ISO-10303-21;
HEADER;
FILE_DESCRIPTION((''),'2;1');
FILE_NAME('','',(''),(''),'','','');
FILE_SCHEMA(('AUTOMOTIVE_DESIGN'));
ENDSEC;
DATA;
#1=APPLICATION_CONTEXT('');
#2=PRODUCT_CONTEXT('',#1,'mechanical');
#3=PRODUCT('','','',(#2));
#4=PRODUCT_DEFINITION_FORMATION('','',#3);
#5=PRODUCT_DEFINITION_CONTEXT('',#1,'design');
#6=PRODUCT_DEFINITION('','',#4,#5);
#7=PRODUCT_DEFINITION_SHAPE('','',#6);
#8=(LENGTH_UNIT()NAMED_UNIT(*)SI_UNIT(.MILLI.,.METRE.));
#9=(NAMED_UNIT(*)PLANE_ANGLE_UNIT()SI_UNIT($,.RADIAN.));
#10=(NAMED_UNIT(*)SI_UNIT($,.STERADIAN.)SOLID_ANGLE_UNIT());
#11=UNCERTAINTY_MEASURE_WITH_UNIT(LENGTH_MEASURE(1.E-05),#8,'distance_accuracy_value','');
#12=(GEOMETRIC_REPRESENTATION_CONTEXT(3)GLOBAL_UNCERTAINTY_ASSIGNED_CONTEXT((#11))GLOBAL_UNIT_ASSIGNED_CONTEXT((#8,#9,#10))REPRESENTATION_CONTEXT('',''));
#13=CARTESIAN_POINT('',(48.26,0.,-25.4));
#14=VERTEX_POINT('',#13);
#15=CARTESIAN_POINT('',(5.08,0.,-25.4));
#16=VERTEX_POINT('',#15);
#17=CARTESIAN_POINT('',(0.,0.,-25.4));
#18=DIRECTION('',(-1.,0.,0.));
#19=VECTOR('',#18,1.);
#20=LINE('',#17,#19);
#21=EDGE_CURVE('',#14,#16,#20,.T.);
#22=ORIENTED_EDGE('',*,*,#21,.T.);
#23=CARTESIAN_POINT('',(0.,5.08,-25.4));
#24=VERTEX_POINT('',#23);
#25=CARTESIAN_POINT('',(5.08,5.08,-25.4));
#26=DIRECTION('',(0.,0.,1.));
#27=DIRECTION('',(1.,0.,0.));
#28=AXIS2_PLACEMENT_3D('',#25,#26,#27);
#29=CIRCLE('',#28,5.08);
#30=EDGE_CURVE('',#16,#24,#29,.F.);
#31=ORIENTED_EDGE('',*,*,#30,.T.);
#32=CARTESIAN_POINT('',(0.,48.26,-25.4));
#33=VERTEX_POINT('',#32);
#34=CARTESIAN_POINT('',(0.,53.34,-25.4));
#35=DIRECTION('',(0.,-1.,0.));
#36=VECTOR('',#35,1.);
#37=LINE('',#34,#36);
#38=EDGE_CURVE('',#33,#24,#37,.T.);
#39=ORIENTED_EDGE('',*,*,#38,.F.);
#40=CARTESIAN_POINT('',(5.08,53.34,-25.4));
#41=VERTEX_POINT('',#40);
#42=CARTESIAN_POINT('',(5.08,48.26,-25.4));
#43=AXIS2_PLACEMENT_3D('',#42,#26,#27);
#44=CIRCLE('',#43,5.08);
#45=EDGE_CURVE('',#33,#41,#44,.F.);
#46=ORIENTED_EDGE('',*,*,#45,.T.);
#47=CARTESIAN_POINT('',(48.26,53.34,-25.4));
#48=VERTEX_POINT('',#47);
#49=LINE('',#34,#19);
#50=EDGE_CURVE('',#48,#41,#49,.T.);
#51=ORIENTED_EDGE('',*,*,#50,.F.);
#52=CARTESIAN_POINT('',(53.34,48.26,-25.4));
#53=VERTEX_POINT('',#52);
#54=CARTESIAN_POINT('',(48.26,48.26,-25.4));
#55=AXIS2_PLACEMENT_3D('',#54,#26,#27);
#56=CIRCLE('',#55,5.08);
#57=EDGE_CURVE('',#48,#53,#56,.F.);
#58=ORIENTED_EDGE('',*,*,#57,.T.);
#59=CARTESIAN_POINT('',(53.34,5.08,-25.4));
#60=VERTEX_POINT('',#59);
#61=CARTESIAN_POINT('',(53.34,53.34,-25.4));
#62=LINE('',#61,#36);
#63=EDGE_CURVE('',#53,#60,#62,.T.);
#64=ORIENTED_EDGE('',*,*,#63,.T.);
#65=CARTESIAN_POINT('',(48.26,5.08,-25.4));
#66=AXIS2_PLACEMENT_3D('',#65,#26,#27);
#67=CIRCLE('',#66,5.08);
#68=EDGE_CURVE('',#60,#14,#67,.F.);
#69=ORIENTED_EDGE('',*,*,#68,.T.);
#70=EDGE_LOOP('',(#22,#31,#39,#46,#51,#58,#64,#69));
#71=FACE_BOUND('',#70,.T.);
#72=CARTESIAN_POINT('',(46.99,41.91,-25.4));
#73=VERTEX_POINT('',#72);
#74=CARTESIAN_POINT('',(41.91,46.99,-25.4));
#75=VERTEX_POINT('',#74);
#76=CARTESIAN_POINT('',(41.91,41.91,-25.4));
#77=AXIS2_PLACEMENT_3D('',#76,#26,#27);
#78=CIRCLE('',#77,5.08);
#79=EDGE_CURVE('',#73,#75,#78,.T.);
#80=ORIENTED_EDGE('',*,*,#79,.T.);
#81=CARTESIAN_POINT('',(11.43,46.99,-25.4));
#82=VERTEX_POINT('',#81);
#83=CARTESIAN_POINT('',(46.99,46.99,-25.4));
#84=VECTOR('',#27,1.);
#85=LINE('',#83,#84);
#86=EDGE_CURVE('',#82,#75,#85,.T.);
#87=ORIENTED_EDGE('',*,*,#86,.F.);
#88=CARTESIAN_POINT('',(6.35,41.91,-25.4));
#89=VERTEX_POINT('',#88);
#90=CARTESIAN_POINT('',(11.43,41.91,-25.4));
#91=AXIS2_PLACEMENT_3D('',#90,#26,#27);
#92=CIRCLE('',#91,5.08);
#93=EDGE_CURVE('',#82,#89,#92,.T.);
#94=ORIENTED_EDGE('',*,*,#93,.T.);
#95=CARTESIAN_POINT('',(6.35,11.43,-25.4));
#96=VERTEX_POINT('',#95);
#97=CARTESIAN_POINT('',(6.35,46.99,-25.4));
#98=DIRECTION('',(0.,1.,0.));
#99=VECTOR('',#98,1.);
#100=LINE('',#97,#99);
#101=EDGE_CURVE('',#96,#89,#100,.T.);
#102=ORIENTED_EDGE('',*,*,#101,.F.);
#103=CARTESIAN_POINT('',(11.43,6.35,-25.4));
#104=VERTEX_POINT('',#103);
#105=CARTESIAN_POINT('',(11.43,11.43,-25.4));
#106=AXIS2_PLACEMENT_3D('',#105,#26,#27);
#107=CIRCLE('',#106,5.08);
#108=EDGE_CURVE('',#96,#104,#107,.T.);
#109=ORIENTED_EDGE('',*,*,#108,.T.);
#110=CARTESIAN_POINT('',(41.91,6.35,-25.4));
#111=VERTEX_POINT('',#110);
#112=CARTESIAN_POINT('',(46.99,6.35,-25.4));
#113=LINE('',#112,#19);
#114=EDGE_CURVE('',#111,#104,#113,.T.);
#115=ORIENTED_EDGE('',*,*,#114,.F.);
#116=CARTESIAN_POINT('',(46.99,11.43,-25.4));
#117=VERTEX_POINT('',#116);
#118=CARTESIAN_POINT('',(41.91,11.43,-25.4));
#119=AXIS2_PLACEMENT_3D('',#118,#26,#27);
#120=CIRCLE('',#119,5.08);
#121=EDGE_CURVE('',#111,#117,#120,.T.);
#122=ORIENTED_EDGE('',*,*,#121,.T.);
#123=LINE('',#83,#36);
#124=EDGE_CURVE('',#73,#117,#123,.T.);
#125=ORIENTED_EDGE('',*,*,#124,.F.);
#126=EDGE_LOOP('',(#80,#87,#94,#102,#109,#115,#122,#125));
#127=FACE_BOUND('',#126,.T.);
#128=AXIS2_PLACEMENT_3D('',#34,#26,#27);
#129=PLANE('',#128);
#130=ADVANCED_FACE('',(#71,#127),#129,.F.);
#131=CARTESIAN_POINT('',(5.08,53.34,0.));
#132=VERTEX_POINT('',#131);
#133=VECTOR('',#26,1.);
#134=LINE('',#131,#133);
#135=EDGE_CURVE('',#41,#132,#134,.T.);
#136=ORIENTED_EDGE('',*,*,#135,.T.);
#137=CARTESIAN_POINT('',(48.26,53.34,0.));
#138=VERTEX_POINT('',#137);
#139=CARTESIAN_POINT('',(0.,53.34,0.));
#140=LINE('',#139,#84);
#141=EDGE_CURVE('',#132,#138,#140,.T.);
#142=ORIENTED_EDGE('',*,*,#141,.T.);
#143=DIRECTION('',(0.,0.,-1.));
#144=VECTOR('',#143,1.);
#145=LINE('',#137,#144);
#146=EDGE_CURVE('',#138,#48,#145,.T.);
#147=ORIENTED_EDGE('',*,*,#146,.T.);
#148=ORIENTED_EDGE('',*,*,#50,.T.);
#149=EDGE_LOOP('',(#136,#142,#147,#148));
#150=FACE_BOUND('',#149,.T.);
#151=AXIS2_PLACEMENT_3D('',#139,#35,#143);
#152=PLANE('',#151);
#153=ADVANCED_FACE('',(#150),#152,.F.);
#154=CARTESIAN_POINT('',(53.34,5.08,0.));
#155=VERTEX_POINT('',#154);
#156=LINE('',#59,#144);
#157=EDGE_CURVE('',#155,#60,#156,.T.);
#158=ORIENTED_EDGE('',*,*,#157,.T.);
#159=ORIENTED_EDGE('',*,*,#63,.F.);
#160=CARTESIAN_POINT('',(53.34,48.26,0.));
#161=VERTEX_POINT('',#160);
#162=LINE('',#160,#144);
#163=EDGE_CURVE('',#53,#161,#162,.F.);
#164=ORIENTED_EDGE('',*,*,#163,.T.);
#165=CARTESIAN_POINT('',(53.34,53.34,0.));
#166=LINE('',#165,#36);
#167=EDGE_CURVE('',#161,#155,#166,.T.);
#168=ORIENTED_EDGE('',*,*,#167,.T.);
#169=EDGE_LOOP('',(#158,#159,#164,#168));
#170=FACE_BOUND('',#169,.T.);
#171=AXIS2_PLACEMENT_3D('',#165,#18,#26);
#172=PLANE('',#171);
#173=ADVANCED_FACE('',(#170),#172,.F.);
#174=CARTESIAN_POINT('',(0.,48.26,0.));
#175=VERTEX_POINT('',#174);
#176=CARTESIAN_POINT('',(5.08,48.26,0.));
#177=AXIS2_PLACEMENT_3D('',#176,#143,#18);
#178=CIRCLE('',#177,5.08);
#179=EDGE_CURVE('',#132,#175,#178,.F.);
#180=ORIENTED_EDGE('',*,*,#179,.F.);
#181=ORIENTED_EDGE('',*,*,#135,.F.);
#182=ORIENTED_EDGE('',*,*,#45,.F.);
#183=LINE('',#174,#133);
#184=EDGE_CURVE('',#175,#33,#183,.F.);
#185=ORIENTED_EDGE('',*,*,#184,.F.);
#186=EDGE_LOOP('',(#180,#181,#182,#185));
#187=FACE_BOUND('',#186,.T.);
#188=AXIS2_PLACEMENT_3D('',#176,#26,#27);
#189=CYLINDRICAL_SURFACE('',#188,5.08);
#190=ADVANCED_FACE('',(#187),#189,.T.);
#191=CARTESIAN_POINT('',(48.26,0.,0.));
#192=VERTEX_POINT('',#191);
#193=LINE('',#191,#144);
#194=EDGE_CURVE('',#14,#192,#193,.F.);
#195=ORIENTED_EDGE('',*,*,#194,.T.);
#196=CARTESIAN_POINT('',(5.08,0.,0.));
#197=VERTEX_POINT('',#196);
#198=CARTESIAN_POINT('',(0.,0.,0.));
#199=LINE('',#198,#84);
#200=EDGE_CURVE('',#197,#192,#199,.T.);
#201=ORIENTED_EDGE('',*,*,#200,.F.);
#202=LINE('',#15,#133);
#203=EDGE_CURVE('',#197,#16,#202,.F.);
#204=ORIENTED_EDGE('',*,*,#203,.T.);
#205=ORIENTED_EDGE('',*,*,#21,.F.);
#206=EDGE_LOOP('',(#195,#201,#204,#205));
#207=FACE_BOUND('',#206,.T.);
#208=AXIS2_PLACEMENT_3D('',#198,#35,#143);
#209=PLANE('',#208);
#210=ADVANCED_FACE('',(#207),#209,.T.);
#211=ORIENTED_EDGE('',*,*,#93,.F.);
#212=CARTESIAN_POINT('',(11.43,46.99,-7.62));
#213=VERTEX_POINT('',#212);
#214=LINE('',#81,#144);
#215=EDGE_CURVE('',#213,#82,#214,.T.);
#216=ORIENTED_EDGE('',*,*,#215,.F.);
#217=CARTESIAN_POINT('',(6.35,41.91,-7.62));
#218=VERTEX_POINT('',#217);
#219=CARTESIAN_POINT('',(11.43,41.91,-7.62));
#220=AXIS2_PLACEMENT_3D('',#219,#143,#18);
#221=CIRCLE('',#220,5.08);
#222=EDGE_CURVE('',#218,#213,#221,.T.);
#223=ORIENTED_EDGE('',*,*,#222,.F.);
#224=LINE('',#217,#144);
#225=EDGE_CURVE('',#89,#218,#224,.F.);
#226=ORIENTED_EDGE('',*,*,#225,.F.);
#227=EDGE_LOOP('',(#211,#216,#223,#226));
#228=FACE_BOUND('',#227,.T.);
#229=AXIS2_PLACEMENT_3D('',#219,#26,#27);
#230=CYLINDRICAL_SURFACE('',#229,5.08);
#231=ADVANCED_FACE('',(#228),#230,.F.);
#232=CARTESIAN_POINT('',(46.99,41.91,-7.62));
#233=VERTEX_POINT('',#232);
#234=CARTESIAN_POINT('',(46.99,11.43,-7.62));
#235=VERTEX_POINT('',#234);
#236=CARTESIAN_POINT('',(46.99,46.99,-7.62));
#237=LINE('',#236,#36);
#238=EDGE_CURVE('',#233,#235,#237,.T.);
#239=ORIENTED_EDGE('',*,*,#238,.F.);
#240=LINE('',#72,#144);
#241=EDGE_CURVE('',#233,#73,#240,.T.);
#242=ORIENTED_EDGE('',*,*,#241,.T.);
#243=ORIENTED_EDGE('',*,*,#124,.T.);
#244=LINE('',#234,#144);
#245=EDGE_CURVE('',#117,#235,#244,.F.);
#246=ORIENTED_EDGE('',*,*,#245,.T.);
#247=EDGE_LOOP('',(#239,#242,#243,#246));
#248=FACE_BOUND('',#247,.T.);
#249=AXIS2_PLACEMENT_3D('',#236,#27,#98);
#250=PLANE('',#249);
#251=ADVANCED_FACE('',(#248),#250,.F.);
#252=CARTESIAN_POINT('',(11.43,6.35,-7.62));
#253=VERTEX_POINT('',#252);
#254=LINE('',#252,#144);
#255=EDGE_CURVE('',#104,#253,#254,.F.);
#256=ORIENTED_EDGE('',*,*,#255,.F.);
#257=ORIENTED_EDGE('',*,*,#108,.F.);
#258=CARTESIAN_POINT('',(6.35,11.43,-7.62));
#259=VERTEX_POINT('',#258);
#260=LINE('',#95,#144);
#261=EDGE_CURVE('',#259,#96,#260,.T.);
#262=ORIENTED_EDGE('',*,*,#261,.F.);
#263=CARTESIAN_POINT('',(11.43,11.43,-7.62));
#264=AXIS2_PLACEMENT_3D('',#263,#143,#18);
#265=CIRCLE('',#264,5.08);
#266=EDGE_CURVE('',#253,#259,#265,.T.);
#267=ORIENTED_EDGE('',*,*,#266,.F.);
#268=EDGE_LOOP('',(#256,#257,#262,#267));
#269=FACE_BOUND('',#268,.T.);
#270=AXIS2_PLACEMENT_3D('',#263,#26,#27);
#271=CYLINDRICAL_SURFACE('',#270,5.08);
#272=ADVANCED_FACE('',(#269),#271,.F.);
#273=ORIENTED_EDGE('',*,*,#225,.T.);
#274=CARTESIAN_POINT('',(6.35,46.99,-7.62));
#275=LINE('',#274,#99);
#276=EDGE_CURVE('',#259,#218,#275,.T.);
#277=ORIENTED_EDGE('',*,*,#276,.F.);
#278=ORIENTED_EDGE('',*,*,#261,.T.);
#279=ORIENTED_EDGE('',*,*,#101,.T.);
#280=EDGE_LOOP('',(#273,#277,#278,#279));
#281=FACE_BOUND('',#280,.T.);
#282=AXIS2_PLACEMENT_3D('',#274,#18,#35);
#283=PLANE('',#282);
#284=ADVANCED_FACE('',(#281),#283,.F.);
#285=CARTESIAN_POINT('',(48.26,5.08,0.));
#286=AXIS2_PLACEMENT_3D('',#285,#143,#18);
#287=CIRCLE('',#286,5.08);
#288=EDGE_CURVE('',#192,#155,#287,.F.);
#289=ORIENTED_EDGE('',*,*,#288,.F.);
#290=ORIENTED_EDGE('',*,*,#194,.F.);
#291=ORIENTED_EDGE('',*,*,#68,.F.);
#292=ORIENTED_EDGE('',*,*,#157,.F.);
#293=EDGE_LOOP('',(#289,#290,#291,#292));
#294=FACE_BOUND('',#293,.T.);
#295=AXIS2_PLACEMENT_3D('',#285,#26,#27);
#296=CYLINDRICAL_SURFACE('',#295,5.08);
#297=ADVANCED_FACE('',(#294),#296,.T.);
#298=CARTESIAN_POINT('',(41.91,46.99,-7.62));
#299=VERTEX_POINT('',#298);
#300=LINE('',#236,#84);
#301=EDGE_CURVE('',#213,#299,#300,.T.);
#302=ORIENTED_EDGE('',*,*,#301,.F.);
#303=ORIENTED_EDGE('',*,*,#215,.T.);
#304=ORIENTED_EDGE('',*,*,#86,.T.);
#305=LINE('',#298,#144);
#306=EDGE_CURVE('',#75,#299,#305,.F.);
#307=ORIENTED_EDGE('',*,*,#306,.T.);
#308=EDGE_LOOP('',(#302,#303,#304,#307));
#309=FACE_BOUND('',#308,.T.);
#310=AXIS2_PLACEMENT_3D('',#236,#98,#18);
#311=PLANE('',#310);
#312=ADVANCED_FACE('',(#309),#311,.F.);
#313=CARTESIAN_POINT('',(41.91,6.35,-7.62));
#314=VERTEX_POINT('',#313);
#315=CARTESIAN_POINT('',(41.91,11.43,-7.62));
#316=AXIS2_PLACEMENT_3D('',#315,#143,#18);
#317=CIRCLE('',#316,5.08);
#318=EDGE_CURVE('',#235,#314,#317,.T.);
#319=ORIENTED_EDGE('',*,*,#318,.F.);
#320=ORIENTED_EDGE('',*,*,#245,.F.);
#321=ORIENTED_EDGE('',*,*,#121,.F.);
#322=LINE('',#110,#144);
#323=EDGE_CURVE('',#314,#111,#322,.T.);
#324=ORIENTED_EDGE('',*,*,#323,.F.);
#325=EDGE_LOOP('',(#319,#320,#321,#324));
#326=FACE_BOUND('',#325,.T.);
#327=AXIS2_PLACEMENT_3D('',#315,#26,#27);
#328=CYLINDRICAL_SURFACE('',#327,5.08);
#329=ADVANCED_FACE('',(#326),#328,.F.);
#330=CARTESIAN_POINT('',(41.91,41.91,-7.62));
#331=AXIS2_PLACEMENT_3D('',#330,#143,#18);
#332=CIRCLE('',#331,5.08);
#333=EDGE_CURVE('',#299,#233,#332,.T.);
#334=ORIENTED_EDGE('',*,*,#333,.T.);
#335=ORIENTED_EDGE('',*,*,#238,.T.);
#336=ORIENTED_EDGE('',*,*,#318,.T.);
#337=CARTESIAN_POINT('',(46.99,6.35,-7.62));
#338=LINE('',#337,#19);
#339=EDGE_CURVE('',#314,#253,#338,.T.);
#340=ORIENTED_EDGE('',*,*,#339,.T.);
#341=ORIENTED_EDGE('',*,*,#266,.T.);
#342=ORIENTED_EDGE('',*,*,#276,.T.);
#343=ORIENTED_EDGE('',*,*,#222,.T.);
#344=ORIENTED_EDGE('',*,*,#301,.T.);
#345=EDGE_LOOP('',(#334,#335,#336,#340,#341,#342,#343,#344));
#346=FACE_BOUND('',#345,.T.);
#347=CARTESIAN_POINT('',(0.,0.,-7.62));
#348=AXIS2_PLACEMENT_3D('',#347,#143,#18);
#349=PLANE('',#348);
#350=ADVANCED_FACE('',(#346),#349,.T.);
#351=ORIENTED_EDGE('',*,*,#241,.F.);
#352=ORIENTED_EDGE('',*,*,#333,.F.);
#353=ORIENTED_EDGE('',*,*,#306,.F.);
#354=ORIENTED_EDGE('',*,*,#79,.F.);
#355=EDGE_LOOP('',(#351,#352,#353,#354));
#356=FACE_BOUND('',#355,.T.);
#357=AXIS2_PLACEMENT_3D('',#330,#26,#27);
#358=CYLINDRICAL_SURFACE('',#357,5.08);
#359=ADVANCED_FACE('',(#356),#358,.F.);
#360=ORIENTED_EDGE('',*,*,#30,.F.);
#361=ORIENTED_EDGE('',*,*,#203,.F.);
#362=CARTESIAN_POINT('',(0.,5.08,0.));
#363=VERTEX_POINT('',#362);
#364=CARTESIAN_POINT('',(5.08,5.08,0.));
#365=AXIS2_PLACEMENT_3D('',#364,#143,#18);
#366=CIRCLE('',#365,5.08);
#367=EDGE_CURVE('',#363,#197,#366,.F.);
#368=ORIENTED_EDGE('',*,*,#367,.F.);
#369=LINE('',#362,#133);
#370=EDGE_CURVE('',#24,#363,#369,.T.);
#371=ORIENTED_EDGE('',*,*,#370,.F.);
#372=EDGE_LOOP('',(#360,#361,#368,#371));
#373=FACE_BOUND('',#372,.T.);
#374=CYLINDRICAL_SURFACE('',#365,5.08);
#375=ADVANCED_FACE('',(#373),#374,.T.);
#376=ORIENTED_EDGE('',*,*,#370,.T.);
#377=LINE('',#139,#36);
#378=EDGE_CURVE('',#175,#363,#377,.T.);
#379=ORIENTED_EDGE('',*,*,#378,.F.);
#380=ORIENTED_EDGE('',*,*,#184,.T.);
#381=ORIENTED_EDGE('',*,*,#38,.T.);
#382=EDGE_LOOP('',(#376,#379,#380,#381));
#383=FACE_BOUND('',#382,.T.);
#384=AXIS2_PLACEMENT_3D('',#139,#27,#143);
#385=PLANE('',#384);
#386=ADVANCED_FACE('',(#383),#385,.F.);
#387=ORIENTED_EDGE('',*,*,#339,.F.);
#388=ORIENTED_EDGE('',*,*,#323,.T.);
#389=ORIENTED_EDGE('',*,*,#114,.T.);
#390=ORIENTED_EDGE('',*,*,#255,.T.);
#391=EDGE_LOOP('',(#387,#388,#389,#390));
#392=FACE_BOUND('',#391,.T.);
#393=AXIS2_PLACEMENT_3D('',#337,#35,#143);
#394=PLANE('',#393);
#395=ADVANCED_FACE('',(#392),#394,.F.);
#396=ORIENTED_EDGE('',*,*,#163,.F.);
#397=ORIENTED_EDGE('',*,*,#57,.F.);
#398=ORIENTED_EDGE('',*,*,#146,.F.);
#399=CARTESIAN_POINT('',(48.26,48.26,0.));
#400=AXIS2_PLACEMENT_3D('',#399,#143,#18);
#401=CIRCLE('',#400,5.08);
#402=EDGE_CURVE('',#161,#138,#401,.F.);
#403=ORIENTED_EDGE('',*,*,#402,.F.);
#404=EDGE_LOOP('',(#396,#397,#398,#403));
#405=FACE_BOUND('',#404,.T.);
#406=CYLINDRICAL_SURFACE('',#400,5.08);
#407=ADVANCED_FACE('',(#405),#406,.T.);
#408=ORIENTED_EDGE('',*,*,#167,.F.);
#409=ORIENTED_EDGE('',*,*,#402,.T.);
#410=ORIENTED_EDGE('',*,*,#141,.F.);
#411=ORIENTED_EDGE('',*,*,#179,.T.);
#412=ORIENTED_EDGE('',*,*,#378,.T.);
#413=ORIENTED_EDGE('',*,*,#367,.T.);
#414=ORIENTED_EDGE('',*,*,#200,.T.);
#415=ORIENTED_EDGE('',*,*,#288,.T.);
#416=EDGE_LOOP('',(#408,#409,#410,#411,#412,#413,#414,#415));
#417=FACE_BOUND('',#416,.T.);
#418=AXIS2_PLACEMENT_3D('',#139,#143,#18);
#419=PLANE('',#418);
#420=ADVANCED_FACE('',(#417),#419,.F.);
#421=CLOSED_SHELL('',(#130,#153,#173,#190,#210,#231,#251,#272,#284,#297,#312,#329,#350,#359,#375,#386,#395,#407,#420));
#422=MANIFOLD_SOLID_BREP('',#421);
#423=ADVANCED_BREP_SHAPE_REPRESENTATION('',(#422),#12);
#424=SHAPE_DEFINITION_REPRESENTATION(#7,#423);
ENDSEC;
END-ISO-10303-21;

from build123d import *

# Parameters (mm, degrees)
SKETCH1_W           = 53.34
SKETCH1_H           = 25.4
BOSS_EXTRUDE1_DEPTH = 53.34
FILLET1_R           = 5.08
SKETCH2_W           = 40.64
SKETCH2_H           = 40.64
CUT_EXTRUDE1_DEPTH  = 17.78
FILLET2_R           = 5.08


with BuildPart() as part:
    # Sketch1 → Boss-Extrude1 (new body)
    with BuildSketch(Plane(origin=(0, 0, 0), x_dir=(1, 0, 0), z_dir=(0, 1, 0))):
        with Locations((26.67, 12.7)):
            Rectangle(SKETCH1_W, SKETCH1_H)
    extrude(amount=BOSS_EXTRUDE1_DEPTH)

    # Fillet1
    fillet1_edges = [part.edges().sort_by_distance(p)[0] for p in [
        (53.34, 53.34, -12.7),
        (0, 53.34, -12.7),
        (53.34, 0, -12.7),
        (0, 0, -12.7),
    ]]
    fillet(fillet1_edges, radius=FILLET1_R)

    # Sketch2 → Cut-Extrude1 (cut)
    with BuildSketch(Plane(origin=(0, 0, -25.4), x_dir=(-1, 0, 0), z_dir=(0, 0, -1))):
        with Locations((-26.67, 26.67)):
            Rectangle(SKETCH2_W, SKETCH2_H)
    extrude(amount=-CUT_EXTRUDE1_DEPTH, mode=Mode.SUBTRACT)

    # Fillet2
    fillet2_edges = [part.edges().sort_by_distance(p)[0] for p in [
        (46.99, 6.35, -16.51),
        (46.99, 46.99, -16.51),
        (6.35, 46.99, -16.51),
        (6.35, 6.35, -16.51),
    ]]
    fillet(fillet2_edges, radius=FILLET2_R)


solid = part.part
